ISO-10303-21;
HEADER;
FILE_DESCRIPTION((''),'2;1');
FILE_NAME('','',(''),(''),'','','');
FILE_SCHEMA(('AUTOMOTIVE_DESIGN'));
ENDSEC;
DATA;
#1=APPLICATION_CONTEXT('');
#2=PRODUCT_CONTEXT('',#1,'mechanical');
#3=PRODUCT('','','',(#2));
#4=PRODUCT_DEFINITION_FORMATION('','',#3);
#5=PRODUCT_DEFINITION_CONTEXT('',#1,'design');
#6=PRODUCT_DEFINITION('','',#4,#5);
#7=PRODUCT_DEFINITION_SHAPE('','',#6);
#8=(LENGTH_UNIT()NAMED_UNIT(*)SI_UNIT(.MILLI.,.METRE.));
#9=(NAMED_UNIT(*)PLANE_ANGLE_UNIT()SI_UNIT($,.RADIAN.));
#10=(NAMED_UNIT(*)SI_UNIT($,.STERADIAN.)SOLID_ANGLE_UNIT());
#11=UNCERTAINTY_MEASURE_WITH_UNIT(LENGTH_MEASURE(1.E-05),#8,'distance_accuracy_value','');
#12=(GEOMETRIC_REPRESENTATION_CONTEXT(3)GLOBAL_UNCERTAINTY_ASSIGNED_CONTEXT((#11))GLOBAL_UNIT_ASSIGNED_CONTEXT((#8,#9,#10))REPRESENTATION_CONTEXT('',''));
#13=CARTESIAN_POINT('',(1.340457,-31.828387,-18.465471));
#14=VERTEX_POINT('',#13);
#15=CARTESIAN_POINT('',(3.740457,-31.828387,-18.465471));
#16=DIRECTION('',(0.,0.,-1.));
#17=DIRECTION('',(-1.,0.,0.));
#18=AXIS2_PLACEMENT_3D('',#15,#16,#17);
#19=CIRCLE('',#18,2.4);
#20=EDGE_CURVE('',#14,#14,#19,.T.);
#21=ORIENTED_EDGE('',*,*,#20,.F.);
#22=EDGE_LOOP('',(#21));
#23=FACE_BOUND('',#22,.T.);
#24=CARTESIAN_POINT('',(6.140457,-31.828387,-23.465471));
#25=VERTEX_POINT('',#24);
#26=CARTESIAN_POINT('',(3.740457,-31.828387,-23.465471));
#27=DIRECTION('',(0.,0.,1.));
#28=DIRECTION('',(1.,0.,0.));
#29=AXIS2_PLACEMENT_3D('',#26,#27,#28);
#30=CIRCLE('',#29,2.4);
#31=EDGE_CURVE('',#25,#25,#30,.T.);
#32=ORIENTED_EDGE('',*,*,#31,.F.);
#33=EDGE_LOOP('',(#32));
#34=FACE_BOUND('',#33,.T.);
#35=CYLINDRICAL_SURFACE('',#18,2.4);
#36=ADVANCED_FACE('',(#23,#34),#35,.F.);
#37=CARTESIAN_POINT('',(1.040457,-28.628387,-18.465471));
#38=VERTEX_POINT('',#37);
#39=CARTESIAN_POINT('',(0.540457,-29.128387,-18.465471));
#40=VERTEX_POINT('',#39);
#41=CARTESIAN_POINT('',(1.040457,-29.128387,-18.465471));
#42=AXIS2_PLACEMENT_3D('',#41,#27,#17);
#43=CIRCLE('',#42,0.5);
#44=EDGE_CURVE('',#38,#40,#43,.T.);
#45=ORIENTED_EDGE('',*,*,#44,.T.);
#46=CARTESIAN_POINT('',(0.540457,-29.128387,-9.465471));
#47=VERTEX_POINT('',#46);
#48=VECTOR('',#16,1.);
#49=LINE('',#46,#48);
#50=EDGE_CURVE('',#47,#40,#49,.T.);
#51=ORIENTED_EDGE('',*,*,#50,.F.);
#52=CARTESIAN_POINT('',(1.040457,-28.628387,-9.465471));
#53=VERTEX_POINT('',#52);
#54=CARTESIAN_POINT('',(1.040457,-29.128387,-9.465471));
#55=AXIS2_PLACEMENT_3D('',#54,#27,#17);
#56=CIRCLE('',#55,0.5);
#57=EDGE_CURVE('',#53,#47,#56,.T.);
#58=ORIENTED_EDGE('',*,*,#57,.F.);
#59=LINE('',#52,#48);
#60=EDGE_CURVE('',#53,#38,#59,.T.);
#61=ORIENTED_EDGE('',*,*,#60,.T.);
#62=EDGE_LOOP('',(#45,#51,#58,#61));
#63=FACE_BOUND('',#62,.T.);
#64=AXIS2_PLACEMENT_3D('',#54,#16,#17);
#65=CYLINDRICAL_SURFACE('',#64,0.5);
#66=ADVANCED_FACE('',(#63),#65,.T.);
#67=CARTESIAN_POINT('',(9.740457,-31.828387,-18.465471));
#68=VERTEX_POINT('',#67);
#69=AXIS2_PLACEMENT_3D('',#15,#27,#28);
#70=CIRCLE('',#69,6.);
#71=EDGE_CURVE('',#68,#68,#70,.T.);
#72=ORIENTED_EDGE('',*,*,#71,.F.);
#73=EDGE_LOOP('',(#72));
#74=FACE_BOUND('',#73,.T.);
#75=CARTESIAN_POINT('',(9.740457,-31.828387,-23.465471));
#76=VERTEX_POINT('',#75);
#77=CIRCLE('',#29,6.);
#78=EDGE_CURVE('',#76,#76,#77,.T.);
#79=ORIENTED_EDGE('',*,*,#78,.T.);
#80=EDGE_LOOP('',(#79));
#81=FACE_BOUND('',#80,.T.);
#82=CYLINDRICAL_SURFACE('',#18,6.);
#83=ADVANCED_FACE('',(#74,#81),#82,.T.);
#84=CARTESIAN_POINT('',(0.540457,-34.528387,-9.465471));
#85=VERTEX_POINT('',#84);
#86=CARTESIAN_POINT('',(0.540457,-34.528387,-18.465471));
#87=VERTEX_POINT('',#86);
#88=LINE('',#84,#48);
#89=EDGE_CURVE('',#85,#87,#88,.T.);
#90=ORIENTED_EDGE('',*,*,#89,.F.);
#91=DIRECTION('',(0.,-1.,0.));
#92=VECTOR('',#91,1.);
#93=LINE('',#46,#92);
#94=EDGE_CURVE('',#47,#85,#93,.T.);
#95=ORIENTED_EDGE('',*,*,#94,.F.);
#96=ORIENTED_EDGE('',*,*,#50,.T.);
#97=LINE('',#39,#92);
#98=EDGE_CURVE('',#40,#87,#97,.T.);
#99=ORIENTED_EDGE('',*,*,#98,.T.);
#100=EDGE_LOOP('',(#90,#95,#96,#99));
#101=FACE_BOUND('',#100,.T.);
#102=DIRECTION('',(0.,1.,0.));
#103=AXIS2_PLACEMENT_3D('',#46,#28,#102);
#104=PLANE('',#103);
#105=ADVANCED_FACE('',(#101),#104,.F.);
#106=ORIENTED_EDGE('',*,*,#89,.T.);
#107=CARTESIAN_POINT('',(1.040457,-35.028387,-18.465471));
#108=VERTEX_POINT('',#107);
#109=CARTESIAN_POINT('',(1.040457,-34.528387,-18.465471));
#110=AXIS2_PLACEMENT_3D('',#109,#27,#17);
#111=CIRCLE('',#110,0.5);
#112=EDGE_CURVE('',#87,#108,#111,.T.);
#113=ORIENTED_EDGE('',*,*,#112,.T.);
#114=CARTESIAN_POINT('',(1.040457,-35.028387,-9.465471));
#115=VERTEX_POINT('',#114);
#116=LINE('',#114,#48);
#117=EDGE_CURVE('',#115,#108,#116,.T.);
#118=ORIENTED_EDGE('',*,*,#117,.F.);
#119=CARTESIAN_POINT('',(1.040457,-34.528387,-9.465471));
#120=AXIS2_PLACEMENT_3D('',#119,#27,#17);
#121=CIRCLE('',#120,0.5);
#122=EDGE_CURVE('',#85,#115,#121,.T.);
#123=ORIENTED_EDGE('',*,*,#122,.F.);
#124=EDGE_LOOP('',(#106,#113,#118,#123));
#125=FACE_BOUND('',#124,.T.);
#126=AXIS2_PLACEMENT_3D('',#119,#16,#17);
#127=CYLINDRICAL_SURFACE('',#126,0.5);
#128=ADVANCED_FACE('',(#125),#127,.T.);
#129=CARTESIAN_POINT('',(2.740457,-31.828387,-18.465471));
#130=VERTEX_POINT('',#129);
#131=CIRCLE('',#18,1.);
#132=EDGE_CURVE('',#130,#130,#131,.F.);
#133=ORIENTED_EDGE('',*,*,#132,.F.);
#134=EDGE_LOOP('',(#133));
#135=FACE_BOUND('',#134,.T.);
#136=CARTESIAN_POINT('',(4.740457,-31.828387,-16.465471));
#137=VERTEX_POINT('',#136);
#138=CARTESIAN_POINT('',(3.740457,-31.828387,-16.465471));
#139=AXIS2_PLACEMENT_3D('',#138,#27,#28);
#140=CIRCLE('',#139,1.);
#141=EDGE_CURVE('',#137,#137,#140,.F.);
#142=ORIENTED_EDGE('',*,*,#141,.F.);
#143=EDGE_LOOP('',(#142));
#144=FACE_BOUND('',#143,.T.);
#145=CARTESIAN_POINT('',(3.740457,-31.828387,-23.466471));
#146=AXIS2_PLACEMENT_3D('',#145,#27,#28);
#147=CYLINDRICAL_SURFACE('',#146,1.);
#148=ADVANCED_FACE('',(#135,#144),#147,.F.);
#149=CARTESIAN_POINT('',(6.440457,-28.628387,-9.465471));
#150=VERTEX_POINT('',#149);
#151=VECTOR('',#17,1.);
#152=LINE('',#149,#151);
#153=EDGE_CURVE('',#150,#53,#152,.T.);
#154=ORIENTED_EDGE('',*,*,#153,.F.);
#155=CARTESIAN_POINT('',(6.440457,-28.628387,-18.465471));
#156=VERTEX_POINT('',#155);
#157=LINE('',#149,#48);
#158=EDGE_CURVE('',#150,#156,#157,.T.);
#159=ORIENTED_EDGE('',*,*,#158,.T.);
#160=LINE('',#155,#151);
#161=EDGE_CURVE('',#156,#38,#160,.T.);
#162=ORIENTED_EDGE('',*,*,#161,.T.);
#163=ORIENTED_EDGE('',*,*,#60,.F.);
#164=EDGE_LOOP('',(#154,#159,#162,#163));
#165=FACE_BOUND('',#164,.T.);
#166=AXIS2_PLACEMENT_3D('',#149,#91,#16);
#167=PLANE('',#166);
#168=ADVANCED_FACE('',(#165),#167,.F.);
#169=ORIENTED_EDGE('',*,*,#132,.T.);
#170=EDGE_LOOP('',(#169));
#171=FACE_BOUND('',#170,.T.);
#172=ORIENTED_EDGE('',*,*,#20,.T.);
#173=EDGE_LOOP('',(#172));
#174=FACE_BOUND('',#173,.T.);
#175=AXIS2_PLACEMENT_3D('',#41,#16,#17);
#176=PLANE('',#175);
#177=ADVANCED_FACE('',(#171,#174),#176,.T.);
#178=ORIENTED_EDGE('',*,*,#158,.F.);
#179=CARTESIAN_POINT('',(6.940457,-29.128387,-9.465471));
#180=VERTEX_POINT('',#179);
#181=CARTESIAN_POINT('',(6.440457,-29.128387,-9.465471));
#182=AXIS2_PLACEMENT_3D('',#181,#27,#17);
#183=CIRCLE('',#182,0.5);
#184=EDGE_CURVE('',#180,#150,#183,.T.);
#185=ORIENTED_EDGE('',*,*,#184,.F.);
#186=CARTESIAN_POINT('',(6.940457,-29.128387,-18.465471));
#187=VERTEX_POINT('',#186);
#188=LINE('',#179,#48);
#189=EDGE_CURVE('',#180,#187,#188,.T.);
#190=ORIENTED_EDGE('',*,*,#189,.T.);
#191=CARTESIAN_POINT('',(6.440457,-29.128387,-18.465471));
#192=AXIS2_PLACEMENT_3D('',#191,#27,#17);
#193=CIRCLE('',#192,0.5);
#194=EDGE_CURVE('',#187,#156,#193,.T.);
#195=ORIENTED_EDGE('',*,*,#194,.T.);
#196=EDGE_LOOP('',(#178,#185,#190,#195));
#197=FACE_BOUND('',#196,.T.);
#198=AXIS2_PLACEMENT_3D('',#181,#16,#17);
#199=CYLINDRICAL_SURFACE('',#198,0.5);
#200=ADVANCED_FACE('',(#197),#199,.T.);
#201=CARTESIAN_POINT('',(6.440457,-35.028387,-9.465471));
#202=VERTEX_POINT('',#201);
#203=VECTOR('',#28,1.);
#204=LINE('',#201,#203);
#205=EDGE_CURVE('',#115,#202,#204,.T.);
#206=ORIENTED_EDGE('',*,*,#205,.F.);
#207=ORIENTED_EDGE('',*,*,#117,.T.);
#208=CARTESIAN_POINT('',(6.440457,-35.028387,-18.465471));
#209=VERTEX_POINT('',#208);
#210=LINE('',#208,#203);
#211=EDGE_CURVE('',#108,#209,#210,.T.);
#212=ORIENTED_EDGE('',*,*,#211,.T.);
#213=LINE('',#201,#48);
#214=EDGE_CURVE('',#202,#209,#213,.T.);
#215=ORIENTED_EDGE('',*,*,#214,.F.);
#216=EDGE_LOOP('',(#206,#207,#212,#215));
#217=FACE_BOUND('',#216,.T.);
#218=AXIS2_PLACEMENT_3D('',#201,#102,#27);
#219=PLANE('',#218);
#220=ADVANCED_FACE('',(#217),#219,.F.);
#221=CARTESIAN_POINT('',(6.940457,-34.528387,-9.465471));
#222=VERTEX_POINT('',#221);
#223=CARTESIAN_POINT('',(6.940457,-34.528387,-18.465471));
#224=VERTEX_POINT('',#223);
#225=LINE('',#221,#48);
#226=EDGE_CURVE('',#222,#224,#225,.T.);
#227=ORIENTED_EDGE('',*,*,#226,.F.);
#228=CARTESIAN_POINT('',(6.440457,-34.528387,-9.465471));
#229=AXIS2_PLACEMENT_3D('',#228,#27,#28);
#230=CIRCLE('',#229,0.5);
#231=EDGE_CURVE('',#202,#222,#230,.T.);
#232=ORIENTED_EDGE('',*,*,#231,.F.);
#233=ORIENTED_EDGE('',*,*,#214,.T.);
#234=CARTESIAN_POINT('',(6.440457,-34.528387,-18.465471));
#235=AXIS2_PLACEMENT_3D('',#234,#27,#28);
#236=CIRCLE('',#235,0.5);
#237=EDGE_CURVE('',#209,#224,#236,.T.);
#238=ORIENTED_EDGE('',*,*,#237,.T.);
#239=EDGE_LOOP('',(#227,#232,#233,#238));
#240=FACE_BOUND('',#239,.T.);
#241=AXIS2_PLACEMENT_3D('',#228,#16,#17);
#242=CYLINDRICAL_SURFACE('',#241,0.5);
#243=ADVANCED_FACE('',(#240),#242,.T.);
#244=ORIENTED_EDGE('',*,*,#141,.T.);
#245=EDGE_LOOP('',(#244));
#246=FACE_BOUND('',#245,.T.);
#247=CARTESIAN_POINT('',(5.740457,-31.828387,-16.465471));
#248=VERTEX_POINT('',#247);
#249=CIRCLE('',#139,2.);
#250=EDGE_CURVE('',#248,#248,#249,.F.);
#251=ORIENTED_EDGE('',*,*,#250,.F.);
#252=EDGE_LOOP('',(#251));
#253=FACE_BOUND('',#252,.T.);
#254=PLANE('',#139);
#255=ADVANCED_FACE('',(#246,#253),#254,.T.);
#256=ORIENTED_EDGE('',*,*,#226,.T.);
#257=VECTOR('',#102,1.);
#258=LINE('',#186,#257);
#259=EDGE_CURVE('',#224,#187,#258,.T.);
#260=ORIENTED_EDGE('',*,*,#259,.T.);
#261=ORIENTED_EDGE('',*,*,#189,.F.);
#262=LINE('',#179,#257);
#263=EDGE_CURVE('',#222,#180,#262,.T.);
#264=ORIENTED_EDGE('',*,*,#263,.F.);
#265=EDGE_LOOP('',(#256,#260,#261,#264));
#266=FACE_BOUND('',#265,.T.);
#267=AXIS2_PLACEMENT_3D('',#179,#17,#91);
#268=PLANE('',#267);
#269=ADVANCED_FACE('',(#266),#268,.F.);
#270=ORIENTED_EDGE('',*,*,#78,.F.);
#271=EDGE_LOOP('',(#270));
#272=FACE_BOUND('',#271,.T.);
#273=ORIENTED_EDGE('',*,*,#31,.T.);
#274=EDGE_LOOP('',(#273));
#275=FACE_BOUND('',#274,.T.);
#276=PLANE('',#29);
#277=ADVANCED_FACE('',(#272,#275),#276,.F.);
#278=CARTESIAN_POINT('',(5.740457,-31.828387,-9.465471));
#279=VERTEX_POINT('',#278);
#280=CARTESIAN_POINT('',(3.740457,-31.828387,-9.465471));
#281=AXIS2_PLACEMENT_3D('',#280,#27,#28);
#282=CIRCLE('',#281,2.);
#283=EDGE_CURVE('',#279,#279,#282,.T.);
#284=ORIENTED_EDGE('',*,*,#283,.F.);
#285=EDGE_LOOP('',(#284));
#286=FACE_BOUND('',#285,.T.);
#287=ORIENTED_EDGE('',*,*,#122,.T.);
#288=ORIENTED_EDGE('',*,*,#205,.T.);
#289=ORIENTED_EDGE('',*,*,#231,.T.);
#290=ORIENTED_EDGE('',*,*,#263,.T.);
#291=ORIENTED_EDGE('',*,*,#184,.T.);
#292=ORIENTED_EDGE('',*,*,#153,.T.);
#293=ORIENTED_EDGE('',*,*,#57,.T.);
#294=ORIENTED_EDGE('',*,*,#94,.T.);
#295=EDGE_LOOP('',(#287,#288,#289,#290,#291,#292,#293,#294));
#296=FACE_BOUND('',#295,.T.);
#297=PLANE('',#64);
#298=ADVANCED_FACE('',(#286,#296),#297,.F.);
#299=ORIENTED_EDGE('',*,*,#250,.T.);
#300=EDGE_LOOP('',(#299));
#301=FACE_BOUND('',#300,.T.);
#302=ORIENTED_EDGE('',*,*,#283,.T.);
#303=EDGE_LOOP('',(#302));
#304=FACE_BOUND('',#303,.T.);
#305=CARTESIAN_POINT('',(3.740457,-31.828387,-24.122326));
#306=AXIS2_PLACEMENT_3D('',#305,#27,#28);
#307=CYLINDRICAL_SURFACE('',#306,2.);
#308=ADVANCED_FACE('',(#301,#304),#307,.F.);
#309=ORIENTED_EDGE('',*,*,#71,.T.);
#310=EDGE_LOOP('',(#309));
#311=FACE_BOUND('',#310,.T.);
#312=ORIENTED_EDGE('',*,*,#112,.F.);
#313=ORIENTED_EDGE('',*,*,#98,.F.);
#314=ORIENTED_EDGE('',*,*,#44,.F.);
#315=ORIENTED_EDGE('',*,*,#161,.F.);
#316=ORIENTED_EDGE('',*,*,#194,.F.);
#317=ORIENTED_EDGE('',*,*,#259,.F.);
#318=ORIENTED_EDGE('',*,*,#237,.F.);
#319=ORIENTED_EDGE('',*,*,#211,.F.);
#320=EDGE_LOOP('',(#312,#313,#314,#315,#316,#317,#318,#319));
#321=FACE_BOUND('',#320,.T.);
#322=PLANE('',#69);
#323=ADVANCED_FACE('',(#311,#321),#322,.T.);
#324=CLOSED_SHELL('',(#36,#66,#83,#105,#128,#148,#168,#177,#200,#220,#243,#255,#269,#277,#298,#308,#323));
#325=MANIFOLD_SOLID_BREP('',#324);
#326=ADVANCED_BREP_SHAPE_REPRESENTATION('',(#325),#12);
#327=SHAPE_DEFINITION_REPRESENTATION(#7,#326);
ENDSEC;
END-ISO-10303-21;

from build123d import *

# Parameters (mm, degrees)
SKETCH1_R           = 6
SKETCH1_R_2         = 2.4
BOSS_EXTRUDE1_DEPTH = 5
BOSS_EXTRUDE2_DEPTH = 9
CUT_EXTRUDE1_REACH  = 16
SKETCH3_R           = 1
SKETCH4_R           = 2
CUT_EXTRUDE2_DEPTH  = 7


with BuildPart() as part:
    # Sketch1 → Boss-Extrude1 (new body)
    with BuildSketch(Plane.XY.offset(-23.465471353)):
        with Locations((3.740457308, -31.828386779)):
            Circle(SKETCH1_R)
        with Locations((3.740457308, -31.828386779)):
            Circle(SKETCH1_R_2, mode=Mode.SUBTRACT)
    extrude(amount=BOSS_EXTRUDE1_DEPTH)

    # Sketch2 → Boss-Extrude2 (add)
    with BuildSketch(Plane.XY.offset(-18.465471353)):
        with BuildLine():
            Line((6.440457308, -28.628386779), (1.040457308, -28.628386779))
            ThreePointArc((1.040457308, -28.628386779), (0.686903918, -28.774833388), (0.540457308, -29.128386779))
            Line((0.540457308, -29.128386779), (0.540457308, -34.528386779))
            ThreePointArc((0.540457308, -34.528386779), (0.686903918, -34.881940169), (1.040457308, -35.028386779))
            Line((1.040457308, -35.028386779), (6.440457308, -35.028386779))
            ThreePointArc((6.440457308, -35.028386779), (6.794010699, -34.881940169), (6.940457308, -34.528386779))
            Line((6.940457308, -34.528386779), (6.940457308, -29.128386779))
            ThreePointArc((6.940457308, -29.128386779), (6.794010699, -28.774833388), (6.440457308, -28.628386779))
        make_face()
    extrude(amount=BOSS_EXTRUDE2_DEPTH)

    # Sketch3 → Cut-Extrude1 (cut, up to next)
    with BuildSketch(Plane.XY.offset(-9.465471353), mode=Mode.PRIVATE) as cut_extrude1_sk1:
        with Locations((3.740457264, -31.828386779)):
            Circle(SKETCH3_R)
    cut_extrude1_tool1 = extrude(cut_extrude1_sk1.sketch, amount=-CUT_EXTRUDE1_REACH, mode=Mode.PRIVATE) & part.part
    add(cut_extrude1_tool1.solids().sort_by_distance((3.740457, -31.828387, -9.465471))[0], mode=Mode.SUBTRACT)

    # Sketch4 → Cut-Extrude2 (cut)
    with BuildSketch(Plane.XY.offset(-9.465471353)):
        with Locations((3.740457264, -31.828386779)):
            Circle(SKETCH4_R)
    extrude(amount=-CUT_EXTRUDE2_DEPTH, mode=Mode.SUBTRACT)


solid = part.part
